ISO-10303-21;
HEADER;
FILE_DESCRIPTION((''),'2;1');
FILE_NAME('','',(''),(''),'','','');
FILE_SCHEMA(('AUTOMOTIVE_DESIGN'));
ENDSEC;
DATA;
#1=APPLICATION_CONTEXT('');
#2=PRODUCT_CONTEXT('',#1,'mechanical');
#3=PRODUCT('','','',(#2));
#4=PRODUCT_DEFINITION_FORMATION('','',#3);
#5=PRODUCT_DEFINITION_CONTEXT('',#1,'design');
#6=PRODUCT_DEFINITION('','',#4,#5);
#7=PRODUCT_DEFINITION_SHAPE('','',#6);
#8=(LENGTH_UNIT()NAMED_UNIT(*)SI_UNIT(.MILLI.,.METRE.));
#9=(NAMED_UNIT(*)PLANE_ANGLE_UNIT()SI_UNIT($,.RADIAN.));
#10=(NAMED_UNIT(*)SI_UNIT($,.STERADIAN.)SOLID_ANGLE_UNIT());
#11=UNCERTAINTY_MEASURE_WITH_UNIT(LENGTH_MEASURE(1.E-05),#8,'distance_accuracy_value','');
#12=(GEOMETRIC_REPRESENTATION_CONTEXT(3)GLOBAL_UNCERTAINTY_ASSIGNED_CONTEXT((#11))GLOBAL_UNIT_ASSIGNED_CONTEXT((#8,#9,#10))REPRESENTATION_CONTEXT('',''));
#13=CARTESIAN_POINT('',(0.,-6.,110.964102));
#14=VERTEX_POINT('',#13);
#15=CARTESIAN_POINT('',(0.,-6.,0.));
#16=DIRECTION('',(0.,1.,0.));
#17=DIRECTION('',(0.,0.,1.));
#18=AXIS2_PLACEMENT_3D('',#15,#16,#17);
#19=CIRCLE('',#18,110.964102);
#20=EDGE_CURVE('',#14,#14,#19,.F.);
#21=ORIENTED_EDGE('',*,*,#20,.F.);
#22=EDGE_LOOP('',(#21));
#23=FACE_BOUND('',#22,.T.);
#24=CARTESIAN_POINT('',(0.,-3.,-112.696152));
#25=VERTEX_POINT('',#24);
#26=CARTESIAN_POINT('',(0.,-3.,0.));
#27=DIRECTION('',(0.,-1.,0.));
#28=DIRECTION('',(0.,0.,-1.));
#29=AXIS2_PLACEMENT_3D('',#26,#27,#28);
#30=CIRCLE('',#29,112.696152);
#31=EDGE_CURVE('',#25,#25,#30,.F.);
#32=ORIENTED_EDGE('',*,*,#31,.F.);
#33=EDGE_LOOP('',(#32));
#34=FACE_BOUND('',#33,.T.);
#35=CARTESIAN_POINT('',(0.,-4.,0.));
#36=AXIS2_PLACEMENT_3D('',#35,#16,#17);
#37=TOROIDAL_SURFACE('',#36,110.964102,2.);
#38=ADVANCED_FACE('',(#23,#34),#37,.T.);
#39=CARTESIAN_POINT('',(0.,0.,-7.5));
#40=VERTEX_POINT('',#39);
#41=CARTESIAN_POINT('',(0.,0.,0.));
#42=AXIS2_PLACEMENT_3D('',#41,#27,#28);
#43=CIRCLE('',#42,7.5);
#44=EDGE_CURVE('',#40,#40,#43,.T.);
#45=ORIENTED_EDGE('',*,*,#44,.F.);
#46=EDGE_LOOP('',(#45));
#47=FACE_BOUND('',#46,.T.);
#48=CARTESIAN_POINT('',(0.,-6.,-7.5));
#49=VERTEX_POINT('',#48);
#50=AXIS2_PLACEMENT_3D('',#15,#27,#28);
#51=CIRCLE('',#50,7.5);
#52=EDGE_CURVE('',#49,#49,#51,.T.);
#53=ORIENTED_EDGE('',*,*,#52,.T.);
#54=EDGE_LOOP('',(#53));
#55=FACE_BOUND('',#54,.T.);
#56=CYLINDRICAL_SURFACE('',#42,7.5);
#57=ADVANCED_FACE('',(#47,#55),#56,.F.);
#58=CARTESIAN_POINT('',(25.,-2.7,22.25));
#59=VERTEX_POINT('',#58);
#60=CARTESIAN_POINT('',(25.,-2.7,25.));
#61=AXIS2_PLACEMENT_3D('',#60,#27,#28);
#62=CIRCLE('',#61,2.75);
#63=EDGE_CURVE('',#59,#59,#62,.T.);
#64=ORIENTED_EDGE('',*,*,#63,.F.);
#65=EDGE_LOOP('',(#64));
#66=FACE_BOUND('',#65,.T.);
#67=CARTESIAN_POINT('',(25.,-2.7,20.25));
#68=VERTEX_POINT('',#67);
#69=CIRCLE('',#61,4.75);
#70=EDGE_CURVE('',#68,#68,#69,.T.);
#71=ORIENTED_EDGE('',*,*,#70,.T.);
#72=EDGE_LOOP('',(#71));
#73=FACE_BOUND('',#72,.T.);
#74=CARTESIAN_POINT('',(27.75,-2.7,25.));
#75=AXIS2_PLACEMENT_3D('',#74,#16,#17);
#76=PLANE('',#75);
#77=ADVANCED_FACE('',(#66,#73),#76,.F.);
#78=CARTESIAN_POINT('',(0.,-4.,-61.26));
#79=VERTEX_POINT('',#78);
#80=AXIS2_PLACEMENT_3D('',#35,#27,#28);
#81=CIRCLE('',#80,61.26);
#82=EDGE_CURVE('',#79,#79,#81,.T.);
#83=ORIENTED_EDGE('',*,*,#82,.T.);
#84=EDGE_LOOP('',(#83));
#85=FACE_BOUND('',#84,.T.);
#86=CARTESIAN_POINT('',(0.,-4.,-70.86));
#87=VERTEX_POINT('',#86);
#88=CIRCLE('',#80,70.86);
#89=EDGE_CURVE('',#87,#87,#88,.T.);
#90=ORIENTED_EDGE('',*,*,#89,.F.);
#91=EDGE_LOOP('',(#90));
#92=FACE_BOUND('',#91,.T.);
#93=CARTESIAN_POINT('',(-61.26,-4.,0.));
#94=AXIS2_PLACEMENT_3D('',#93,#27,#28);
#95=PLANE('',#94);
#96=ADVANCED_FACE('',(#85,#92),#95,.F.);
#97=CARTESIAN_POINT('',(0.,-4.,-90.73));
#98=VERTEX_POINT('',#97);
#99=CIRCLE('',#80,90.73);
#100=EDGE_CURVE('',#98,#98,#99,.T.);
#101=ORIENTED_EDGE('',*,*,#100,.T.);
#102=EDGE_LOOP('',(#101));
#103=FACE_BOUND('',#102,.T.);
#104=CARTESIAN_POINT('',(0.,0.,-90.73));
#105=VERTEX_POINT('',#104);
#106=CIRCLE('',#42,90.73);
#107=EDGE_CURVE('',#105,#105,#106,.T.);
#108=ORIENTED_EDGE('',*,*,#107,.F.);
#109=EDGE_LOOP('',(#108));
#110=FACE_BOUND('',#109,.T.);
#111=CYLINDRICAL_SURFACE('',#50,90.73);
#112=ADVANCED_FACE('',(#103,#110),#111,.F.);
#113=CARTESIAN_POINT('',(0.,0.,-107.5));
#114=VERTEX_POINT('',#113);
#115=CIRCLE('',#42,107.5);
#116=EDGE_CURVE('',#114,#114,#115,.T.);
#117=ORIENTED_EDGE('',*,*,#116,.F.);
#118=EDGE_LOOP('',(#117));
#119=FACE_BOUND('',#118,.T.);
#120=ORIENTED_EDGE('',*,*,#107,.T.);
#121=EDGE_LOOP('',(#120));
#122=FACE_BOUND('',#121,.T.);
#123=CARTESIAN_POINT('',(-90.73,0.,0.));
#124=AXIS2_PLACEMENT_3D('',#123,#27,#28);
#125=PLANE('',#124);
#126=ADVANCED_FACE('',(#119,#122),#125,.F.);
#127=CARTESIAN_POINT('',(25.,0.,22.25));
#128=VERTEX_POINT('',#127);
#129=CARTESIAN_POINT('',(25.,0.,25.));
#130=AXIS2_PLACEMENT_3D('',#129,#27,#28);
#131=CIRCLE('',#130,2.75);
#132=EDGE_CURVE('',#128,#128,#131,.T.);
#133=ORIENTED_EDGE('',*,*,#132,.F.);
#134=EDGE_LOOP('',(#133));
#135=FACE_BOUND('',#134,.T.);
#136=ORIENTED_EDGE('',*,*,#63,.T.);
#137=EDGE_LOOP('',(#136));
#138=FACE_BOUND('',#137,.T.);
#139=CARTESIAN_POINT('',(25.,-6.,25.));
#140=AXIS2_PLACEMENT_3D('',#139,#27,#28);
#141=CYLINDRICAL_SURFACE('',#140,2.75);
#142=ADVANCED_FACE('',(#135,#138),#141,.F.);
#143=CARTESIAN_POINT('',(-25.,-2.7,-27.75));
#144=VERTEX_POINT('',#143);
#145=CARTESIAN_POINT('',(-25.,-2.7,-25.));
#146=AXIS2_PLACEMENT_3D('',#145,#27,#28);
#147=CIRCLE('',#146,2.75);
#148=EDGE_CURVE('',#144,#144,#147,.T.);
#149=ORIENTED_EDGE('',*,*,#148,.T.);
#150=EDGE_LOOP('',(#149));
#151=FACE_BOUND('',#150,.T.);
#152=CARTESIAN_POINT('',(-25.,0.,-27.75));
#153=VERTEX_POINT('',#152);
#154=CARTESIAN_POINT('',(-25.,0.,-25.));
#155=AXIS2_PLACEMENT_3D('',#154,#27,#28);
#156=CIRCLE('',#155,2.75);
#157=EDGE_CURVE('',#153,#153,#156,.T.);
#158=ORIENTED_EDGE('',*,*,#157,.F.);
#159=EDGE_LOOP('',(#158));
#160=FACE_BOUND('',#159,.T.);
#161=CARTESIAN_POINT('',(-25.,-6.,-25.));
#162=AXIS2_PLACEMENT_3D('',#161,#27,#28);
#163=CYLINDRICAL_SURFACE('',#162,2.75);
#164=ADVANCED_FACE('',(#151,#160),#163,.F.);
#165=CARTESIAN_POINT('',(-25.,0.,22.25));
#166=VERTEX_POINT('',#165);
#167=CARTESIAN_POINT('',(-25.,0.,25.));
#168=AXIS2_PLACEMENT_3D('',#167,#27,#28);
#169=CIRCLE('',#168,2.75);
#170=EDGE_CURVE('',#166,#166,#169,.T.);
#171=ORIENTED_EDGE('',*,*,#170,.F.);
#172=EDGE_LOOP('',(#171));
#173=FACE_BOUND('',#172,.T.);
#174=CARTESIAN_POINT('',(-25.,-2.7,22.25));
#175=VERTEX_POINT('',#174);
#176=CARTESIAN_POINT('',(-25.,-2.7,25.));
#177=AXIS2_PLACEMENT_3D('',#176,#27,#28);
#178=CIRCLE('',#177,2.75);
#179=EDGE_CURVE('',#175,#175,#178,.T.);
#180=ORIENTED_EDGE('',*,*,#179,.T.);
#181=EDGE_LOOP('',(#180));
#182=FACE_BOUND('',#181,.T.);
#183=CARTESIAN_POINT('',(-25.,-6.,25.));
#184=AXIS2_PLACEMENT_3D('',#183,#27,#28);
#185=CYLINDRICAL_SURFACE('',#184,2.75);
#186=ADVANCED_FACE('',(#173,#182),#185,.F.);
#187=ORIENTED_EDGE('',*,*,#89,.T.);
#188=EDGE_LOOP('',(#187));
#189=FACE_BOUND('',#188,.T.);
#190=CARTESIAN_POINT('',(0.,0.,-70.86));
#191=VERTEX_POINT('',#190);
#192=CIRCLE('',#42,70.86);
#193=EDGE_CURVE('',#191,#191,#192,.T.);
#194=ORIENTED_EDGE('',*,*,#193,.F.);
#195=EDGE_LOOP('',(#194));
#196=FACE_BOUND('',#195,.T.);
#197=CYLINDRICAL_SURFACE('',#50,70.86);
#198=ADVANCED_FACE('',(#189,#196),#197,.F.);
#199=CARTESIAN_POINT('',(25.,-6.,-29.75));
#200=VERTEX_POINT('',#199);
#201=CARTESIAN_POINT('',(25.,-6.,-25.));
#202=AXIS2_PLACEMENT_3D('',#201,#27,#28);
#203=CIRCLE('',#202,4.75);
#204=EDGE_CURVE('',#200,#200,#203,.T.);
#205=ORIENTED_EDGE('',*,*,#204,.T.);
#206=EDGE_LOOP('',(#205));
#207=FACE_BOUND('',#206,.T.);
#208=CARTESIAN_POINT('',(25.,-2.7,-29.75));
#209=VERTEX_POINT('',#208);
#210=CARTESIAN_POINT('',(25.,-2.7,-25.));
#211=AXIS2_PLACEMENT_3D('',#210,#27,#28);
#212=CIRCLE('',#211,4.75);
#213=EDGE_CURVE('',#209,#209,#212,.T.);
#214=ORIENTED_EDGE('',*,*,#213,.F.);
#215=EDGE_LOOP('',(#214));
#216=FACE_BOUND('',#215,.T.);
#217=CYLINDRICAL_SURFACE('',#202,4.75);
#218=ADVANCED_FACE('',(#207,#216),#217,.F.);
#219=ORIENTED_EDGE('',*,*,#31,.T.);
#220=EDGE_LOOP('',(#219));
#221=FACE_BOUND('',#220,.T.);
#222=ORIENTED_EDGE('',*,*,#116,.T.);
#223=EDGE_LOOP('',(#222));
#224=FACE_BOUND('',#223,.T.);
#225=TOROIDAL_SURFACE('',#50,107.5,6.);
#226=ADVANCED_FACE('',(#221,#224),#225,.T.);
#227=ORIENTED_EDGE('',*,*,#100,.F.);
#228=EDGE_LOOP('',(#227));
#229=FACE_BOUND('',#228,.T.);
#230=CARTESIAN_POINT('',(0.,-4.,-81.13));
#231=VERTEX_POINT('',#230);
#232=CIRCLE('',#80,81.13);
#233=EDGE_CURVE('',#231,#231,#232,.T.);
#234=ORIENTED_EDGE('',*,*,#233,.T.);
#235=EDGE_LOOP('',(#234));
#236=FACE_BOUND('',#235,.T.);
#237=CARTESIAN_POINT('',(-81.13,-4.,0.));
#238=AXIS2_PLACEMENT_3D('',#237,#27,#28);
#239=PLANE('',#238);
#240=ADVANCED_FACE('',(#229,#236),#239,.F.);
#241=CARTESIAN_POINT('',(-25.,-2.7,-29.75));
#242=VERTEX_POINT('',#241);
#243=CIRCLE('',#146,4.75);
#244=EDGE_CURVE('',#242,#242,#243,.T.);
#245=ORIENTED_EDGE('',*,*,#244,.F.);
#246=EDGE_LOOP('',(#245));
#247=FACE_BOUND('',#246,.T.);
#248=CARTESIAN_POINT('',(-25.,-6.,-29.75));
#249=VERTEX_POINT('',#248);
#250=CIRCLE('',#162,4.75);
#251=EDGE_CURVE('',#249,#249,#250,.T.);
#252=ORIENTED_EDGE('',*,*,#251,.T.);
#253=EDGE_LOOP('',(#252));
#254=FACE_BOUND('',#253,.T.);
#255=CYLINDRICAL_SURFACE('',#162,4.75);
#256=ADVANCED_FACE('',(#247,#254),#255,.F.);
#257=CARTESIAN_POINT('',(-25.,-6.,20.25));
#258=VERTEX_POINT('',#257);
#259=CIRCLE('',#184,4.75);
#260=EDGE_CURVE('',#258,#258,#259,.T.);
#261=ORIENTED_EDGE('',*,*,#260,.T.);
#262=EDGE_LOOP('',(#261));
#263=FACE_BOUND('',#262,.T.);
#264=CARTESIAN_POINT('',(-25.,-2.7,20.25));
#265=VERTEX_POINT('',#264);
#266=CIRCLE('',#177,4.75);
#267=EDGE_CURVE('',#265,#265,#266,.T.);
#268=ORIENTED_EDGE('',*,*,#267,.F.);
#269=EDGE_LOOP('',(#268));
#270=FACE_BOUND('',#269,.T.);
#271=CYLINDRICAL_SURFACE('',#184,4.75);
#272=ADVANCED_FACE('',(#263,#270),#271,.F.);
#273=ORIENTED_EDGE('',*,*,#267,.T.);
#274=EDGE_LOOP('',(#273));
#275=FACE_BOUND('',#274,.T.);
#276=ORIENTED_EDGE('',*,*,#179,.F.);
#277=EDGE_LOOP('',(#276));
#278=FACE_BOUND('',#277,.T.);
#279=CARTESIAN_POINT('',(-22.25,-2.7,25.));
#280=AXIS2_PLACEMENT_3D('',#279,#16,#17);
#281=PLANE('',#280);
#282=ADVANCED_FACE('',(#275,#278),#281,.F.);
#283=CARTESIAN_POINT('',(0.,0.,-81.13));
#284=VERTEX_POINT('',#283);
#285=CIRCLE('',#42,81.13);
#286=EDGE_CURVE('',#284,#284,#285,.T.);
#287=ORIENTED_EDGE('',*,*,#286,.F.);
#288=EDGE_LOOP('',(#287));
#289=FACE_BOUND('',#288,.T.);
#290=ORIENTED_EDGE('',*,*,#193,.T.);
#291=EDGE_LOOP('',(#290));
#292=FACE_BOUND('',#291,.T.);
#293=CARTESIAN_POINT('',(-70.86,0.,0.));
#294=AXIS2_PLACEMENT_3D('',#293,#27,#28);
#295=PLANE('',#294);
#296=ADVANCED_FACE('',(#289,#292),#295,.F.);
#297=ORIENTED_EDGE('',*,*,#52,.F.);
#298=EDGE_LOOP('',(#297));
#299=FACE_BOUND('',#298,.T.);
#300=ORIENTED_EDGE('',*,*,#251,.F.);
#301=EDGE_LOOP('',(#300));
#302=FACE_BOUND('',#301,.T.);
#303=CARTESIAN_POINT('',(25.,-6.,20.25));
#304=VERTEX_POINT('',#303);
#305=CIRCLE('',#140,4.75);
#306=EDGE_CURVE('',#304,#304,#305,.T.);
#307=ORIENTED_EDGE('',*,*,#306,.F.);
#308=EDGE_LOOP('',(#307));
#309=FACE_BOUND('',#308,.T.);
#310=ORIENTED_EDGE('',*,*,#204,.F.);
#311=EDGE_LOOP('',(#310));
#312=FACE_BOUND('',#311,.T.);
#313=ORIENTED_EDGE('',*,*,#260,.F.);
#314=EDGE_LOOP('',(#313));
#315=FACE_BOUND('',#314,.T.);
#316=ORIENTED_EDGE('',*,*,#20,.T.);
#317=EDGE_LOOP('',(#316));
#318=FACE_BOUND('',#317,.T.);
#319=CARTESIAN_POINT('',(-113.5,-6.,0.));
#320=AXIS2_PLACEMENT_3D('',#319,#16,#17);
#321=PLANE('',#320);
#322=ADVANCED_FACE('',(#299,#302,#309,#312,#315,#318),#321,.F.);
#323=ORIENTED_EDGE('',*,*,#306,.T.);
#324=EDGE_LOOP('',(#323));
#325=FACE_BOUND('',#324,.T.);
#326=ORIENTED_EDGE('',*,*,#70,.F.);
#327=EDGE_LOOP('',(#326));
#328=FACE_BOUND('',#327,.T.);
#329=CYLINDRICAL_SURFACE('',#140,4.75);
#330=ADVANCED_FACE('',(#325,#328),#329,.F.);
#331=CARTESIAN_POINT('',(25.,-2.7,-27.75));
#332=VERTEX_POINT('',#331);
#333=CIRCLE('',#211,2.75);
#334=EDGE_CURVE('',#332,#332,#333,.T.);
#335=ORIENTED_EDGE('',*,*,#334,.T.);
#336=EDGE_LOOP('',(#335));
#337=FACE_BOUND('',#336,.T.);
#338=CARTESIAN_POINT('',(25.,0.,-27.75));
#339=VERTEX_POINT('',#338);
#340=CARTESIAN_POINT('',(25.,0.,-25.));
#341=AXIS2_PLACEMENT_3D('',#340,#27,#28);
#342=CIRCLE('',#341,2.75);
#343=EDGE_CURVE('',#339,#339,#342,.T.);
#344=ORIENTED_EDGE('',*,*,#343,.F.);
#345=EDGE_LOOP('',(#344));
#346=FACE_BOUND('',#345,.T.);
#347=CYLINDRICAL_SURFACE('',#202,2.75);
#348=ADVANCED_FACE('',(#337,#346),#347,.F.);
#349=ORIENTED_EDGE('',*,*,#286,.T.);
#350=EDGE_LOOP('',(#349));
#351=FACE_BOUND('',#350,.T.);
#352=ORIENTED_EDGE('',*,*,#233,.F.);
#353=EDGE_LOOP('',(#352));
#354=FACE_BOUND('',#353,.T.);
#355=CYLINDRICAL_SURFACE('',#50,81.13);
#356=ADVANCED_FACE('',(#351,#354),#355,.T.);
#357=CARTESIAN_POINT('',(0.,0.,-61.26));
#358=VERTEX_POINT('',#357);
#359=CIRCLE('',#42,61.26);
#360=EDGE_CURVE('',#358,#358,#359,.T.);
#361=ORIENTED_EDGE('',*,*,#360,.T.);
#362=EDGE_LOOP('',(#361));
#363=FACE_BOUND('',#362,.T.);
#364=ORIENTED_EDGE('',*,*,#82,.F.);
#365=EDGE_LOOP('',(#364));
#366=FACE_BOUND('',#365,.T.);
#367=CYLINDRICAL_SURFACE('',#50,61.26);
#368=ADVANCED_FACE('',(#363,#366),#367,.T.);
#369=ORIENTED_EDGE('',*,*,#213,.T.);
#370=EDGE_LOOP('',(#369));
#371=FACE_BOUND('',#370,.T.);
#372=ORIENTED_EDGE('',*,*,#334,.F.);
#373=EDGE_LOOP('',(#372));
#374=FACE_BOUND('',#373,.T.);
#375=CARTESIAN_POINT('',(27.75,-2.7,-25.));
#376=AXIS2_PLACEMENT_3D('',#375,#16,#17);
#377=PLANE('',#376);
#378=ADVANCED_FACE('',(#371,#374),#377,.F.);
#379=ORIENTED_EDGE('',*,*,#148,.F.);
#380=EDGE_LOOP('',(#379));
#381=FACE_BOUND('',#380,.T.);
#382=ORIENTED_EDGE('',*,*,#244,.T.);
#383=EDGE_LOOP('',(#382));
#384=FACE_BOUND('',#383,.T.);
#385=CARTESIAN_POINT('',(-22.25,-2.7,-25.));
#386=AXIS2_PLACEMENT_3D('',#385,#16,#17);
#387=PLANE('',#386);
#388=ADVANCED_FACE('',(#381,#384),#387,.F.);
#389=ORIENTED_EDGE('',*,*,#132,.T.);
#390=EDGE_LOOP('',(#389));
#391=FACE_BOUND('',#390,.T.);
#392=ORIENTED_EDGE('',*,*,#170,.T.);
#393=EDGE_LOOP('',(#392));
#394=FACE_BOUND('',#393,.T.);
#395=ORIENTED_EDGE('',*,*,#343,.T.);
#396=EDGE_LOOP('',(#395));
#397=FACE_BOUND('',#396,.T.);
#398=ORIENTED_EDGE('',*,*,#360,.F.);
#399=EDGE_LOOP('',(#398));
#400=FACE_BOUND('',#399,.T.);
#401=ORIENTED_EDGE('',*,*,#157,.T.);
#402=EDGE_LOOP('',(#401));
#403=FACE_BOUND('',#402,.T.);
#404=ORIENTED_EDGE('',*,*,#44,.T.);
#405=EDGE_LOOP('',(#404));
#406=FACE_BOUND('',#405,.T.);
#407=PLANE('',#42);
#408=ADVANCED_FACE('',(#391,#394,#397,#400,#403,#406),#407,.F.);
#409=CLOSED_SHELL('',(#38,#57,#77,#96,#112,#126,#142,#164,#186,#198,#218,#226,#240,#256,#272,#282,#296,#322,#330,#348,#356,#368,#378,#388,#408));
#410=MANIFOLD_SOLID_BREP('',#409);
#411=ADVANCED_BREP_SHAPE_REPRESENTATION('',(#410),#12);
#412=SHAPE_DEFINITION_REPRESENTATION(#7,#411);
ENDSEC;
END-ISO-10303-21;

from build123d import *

# Parameters (mm, degrees)
CBORE_FOR_M5_CHEESE_HEAD_SCREW1_D           = 5.5
CBORE_FOR_M5_CHEESE_HEAD_SCREW1_CBORE_D     = 9.5
CBORE_FOR_M5_CHEESE_HEAD_SCREW1_CBORE_DEPTH = 3.3
FILLET1_R                                   = 2
SKETCH6_R                                   = 7.5
CUT_EXTRUDE1_DEPTH                          = 7.0000001


with BuildPart() as part:
    # Sketch2 → Revolve1 (revolve)
    with BuildSketch(Plane.XY):
        with BuildLine():
            Line((0, 0), (-61.26, 0))
            Line((-61.26, 0), (-61.26, -4))
            Line((-61.26, -4), (-70.86, -4))
            Line((-70.86, -4), (-70.86, 0))
            Line((-70.86, 0), (-81.13, 0))
            Line((-81.13, 0), (-81.13, -4))
            Line((-81.13, -4), (-90.73, -4))
            Line((-90.73, -4), (-90.73, 0))
            Line((-90.73, 0), (-107.5, 0))
            ThreePointArc((-107.5, 0), (-111.742640687, -1.757359313), (-113.5, -6))
            Line((-113.5, -6), (0, -6))
            Line((0, -6), (0, 0))
        make_face()
    revolve(axis=Axis((0, -6, 0), (0, 1, 0)))

    # CBORE for M5 Cheese Head Screw1 (through all)
    with Locations(Plane(origin=(0, -6, 0), x_dir=(-1, 0, 0), z_dir=(0, -1, 0))):
        with Locations((25, -25), (-25, -25), (-25, 25), (25, 25)):
            CounterBoreHole(CBORE_FOR_M5_CHEESE_HEAD_SCREW1_D / 2, CBORE_FOR_M5_CHEESE_HEAD_SCREW1_CBORE_D / 2, CBORE_FOR_M5_CHEESE_HEAD_SCREW1_CBORE_DEPTH)

    # Fillet1
    fillet1_edges = [part.edges().sort_by_distance(p)[0] for p in [
        (113.5, -6, 0),
    ]]
    fillet(fillet1_edges, radius=FILLET1_R)

    # Sketch6 → Cut-Extrude1 (cut, through all)
    with BuildSketch(Plane.XZ.offset(6)):
        Circle(SKETCH6_R)
    extrude(amount=-CUT_EXTRUDE1_DEPTH, mode=Mode.SUBTRACT)


solid = part.part
